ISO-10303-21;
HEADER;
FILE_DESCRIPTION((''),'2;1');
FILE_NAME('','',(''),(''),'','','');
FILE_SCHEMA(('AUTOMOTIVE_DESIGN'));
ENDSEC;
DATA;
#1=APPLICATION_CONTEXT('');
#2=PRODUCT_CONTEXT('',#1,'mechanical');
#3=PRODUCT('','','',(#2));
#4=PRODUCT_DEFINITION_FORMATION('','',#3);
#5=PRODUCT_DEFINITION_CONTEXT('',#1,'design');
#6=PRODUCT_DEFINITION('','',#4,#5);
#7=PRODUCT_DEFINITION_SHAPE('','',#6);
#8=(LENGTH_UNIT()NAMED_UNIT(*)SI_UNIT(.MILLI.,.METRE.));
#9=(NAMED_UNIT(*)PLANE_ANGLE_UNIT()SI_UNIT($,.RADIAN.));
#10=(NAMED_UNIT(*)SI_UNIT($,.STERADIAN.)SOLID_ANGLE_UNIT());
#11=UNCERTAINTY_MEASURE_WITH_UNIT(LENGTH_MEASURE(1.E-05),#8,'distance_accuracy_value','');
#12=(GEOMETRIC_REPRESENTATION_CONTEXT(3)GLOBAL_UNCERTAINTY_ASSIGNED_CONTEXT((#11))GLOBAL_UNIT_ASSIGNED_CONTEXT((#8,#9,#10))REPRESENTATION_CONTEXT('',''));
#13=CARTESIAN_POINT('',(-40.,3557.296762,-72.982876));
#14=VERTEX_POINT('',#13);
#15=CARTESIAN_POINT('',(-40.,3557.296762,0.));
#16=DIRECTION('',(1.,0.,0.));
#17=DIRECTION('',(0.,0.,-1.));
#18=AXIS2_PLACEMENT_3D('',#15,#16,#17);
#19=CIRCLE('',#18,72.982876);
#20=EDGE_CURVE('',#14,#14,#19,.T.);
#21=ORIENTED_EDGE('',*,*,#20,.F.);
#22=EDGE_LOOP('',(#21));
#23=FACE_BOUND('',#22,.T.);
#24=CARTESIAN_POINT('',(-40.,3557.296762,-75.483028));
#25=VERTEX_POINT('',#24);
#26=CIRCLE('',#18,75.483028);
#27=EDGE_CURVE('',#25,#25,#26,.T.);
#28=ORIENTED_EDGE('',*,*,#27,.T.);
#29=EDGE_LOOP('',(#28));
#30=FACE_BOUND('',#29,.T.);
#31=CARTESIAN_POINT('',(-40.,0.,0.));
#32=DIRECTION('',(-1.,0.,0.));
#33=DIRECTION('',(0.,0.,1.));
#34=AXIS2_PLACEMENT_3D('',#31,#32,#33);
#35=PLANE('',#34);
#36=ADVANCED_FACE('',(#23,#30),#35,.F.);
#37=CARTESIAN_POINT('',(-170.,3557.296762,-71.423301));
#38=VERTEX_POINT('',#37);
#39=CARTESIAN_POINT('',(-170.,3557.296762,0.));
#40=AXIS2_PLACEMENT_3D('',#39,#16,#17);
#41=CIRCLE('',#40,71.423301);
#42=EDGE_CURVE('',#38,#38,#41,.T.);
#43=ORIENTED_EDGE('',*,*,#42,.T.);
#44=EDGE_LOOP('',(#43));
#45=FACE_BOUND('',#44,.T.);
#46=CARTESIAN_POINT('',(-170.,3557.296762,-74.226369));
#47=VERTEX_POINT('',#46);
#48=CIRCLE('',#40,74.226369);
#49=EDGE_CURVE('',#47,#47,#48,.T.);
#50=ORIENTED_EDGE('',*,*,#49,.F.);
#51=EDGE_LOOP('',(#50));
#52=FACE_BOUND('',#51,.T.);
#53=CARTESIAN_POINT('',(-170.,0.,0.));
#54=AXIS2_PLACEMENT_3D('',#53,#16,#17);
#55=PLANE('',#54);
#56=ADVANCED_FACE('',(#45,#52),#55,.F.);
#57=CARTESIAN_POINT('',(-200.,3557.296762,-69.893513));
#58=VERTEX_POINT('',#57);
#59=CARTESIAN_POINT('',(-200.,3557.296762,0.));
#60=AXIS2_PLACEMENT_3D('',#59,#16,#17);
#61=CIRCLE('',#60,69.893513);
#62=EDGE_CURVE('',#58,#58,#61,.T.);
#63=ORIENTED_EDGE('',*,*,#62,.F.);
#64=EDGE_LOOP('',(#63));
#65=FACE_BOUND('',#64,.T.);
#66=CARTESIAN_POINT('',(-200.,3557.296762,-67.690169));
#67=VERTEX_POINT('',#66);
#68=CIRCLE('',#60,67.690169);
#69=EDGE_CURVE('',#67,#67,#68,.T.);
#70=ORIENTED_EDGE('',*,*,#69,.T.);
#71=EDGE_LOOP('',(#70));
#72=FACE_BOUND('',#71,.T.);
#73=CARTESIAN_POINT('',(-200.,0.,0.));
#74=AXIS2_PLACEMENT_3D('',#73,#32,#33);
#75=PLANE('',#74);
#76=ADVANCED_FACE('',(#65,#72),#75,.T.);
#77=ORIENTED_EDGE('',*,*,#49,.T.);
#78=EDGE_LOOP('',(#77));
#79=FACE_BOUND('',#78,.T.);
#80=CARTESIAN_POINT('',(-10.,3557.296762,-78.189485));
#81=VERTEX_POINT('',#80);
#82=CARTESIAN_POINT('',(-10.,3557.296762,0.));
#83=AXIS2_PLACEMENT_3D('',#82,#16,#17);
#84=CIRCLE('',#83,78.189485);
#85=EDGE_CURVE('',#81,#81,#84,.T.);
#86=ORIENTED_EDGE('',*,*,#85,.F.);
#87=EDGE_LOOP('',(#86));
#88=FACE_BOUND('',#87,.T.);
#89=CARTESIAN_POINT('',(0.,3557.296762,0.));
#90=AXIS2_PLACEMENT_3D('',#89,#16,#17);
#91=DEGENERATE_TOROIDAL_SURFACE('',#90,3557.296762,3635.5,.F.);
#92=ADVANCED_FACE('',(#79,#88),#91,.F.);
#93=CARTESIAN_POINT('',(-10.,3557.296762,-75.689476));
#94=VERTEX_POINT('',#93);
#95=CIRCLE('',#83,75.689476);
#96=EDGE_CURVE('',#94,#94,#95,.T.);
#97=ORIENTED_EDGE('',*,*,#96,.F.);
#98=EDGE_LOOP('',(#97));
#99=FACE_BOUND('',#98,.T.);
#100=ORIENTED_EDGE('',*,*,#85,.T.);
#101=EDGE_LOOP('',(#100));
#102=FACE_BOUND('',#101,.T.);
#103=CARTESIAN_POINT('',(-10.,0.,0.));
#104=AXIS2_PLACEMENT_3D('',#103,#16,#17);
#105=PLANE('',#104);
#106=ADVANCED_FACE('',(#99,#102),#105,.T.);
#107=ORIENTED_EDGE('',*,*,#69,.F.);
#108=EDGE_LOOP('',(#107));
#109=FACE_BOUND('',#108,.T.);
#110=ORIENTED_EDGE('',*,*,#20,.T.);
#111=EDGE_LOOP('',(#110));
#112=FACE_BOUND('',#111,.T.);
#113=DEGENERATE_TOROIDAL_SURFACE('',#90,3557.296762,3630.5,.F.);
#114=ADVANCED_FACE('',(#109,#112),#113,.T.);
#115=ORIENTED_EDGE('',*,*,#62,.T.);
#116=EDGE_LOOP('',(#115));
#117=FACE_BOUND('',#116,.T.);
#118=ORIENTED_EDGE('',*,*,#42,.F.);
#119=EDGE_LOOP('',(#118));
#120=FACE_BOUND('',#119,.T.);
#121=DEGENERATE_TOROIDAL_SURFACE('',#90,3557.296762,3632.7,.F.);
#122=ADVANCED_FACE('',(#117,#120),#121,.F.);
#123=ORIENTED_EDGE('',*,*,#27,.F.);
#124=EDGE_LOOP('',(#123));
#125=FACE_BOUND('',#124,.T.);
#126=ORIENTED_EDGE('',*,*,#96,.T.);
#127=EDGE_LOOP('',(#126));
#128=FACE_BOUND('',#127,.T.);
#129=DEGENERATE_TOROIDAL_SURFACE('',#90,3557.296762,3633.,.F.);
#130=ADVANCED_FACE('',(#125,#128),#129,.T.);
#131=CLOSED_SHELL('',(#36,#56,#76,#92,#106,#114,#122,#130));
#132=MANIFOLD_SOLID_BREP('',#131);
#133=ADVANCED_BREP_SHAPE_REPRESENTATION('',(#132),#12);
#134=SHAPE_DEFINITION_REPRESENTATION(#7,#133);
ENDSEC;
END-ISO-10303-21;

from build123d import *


with BuildPart() as part:
    # Sketch1 → Revolve1 (revolve)
    with BuildSketch(Plane.XY, mode=Mode.PRIVATE) as revolve1_sk:
        with BuildLine():
            Line((-10, 3632.986237243), (-10, 3635.486246708))
            ThreePointArc((-10, 3635.486246708), (-90.021811645, 3634.38527449), (-170, 3631.523130864))
            Line((-170, 3631.523130864), (-170, 3629.020391235))
            Line((-170, 3629.020391235), (-170, 3628.720062226))
            ThreePointArc((-170, 3628.720062226), (-185.001581242, 3627.986177611), (-200, 3627.190274855))
            Line((-200, 3627.190274855), (-200, 3624.986931011))
            ThreePointArc((-200, 3624.986931011), (-120.029176398, 3628.515295105), (-40, 3630.279637989))
            Line((-40, 3630.279637989), (-40, 3632.479771451))
            Line((-40, 3632.479771451), (-40, 3632.779789638))
            ThreePointArc((-40, 3632.779789638), (-25.000213102, 3632.913980449), (-10, 3632.986237243))
        make_face()
    revolve(revolve1_sk.sketch.rotate(Axis((0, 3557.296761587, 0), (-1, 0, 0)), 90), axis=Axis((0, 3557.296761587, 0), (-1, 0, 0)))


solid = part.part
